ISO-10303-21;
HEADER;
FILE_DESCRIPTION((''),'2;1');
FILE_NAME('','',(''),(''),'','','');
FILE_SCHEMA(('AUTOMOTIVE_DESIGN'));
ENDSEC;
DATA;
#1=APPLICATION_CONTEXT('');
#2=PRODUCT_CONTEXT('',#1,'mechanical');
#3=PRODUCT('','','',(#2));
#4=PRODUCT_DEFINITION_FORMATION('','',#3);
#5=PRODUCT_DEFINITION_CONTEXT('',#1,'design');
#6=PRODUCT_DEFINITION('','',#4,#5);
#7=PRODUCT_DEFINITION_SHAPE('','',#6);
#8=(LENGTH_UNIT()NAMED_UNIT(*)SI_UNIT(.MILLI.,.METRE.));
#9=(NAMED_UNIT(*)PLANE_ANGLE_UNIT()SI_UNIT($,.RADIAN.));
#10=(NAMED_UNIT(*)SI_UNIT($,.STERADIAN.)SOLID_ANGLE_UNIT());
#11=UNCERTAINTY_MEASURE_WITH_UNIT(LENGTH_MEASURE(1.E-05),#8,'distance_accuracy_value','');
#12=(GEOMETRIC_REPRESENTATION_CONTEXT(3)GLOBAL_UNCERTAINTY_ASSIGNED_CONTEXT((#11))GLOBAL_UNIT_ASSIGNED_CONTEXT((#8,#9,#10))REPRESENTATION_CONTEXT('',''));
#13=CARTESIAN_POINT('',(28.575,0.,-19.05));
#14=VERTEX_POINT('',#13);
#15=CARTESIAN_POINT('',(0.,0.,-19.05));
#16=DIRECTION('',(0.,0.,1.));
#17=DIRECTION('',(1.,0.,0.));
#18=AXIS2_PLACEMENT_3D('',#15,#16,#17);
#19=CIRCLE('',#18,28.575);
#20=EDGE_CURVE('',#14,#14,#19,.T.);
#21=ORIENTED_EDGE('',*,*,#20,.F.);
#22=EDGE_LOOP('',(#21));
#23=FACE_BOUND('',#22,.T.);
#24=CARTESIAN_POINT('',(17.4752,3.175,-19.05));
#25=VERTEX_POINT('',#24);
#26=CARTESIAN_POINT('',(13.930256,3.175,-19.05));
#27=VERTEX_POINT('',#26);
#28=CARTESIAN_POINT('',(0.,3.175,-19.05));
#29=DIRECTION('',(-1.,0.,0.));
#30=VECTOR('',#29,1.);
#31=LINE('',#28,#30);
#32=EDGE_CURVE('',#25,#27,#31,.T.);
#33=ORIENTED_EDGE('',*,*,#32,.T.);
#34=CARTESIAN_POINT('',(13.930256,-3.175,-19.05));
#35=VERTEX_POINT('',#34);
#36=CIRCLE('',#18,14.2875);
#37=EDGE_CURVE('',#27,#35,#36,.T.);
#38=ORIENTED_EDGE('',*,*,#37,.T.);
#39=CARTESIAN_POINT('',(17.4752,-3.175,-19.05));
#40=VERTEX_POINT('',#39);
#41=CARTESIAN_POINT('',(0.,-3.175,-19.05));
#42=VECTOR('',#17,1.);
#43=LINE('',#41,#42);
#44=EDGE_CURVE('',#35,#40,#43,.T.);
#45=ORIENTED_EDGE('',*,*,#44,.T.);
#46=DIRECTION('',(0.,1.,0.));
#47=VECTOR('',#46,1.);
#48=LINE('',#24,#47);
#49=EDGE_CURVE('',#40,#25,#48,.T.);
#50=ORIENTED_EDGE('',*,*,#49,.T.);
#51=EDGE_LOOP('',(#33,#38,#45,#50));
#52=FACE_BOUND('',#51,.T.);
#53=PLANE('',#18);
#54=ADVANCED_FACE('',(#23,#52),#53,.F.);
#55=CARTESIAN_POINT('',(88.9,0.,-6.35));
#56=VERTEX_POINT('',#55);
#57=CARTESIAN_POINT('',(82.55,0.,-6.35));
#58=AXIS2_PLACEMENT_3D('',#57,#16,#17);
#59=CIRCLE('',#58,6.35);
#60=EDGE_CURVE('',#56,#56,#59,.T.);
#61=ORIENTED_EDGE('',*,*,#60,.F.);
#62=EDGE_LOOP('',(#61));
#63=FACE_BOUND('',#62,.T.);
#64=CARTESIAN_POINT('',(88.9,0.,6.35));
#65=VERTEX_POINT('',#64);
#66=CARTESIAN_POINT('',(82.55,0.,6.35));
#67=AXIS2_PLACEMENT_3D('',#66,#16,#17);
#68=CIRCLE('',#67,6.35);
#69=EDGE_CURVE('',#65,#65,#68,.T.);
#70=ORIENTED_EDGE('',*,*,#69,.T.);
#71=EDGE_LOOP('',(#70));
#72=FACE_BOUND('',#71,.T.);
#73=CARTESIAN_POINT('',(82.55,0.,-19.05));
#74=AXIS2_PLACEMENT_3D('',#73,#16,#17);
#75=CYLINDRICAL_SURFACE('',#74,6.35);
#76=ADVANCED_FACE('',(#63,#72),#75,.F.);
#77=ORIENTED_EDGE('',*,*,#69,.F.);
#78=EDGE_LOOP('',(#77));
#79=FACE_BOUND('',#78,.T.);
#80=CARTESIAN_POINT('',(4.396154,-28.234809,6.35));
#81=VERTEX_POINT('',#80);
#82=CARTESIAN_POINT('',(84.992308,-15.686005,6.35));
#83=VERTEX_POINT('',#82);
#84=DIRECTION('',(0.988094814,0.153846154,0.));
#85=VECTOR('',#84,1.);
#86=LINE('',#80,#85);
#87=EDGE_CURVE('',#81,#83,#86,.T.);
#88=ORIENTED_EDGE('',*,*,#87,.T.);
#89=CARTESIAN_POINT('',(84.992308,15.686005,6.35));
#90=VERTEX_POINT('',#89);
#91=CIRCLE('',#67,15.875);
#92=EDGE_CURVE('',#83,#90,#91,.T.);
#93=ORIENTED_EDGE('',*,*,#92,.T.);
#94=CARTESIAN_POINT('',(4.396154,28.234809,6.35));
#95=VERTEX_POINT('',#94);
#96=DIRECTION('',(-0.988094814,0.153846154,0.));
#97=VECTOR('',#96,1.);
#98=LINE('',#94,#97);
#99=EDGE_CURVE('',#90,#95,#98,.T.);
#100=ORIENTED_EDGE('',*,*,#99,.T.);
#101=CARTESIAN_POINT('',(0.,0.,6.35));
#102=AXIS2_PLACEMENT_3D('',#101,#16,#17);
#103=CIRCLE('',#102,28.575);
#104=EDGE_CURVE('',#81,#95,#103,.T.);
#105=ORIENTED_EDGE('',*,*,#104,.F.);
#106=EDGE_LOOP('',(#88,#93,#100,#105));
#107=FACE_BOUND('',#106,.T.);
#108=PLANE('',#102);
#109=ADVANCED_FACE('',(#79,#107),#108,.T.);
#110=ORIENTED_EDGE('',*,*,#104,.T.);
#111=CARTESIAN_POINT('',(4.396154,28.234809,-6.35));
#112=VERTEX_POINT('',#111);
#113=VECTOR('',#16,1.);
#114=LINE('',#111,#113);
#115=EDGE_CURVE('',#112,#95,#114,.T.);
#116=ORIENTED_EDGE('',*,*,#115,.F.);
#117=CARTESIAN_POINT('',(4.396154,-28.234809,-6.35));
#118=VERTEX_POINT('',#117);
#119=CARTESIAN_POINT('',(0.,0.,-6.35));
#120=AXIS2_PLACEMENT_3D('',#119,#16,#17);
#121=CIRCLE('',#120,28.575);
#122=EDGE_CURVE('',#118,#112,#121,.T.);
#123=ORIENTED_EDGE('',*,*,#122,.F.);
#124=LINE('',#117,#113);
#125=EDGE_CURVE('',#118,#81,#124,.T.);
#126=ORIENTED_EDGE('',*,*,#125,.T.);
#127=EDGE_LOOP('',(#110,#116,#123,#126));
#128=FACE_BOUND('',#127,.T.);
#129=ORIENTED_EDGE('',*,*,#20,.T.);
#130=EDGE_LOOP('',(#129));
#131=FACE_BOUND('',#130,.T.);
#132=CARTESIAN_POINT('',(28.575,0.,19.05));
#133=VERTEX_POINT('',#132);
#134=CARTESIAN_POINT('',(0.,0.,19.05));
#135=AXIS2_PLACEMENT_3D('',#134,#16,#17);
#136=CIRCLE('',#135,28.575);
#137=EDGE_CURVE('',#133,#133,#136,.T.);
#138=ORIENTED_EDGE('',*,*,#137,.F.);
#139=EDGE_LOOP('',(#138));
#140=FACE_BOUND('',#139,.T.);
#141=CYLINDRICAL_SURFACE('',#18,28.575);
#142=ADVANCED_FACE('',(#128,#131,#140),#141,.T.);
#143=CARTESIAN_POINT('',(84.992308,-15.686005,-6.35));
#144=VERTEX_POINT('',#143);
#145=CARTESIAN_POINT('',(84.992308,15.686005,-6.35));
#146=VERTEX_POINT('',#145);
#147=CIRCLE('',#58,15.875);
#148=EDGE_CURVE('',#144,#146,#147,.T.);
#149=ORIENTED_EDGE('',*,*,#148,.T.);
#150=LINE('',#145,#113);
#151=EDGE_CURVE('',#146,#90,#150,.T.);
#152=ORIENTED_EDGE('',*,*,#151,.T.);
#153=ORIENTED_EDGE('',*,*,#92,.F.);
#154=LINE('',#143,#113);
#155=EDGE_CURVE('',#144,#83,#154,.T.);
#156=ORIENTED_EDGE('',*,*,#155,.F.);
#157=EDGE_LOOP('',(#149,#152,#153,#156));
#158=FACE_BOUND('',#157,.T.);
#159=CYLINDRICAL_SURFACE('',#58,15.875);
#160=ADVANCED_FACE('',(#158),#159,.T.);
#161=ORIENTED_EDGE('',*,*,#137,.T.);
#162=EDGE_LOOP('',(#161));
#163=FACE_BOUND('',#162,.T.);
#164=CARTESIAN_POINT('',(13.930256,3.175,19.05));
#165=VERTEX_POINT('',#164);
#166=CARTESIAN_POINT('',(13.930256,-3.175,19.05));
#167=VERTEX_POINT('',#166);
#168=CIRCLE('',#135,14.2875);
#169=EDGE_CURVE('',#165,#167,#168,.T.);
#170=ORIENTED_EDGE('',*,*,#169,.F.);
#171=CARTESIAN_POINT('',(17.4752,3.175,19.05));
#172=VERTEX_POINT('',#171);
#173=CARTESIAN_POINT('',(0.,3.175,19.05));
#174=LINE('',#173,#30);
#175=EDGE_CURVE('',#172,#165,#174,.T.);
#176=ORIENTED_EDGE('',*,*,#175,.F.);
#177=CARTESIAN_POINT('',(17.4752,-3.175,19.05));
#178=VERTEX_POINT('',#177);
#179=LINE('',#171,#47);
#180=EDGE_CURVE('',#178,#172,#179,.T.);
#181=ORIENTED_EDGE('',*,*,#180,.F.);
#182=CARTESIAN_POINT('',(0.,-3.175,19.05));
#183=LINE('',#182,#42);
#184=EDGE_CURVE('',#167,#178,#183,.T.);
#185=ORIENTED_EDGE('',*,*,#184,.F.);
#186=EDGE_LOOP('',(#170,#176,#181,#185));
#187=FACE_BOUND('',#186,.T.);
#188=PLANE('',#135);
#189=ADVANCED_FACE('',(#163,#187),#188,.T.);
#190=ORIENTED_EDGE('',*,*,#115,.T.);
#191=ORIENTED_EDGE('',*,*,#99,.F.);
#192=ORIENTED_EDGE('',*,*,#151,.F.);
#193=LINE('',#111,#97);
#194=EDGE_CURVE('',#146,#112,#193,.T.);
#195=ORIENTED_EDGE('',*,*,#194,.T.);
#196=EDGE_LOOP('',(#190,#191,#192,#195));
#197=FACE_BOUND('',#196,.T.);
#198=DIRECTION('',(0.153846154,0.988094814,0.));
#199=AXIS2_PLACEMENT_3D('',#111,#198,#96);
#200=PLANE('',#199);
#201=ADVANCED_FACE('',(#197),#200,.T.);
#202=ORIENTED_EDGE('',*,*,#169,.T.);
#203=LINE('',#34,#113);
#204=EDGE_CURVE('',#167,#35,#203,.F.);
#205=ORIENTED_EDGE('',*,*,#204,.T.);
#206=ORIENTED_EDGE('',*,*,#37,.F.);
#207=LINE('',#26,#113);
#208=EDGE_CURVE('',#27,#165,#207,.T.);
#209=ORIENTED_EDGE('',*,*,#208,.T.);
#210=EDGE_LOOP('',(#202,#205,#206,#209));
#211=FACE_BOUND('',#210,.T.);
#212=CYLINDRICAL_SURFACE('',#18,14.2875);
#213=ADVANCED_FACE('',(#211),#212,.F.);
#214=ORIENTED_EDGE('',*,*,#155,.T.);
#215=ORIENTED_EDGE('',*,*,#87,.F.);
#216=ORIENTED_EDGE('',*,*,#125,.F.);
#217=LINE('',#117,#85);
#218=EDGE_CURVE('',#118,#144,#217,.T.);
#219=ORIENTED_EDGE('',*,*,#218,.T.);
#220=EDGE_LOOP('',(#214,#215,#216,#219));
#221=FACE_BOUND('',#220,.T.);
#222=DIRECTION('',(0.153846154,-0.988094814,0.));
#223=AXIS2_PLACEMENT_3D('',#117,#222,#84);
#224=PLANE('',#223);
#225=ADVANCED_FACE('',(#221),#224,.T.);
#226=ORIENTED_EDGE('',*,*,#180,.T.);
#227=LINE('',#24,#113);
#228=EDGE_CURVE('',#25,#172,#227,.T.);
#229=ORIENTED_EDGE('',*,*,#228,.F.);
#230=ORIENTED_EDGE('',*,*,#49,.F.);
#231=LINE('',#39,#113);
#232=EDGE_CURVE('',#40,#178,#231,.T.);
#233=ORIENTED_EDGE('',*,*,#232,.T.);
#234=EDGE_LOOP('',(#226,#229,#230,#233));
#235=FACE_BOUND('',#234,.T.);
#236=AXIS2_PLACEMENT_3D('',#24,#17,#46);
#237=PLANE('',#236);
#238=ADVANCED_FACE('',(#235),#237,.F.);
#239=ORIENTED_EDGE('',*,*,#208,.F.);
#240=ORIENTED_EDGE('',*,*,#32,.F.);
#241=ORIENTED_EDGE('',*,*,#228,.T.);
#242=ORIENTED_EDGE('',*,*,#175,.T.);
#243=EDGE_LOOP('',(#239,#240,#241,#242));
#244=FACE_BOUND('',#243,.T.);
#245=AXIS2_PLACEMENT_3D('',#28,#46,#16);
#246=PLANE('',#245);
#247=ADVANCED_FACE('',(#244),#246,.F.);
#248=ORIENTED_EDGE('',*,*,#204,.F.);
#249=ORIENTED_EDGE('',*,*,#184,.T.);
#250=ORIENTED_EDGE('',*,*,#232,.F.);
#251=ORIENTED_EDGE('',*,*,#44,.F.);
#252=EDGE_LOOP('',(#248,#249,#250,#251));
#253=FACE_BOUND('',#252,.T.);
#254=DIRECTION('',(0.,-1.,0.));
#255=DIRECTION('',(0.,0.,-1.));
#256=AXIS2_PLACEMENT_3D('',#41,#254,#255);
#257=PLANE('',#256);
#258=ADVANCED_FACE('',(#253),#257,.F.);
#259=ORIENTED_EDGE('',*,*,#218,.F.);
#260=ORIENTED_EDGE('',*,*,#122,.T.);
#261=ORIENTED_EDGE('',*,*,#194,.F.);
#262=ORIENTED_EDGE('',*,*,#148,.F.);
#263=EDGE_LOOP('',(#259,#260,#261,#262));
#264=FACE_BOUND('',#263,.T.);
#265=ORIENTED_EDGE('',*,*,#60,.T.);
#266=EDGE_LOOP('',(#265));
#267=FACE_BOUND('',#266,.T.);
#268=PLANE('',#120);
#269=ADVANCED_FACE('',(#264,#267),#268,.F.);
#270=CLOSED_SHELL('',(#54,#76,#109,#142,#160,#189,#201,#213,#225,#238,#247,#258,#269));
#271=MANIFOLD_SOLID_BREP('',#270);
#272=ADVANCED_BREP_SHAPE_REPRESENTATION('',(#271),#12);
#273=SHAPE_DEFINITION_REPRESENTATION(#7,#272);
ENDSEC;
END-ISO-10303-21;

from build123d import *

# Parameters (mm, degrees)
BOSS_EXTRUDE3_DEPTH      = 6.35
BOSS_EXTRUDE3_DEPTH_BACK = 6.35
BOSS_EXTRUDE4_DEPTH      = 19.05
BOSS_EXTRUDE4_DEPTH_BACK = 19.05
SKETCH3_R                = 28.575
SKETCH4_R                = 6.35
CUT_EXTRUDE1_DEPTH       = 106.589636092
SKETCH5_R                = 14.2875
CUT_EXTRUDE2_DEPTH       = 110.341763522
SKETCH6_W                = 17.4752
SKETCH6_H                = 6.35
CUT_EXTRUDE3_DEPTH       = 110.341763522


with BuildPart() as part:
    # Sketch1 → Boss-Extrude3 (new, two sides: drawn at the far end of the back side and taken through both)
    with BuildSketch(Plane.XY.offset(-BOSS_EXTRUDE3_DEPTH_BACK)):
        with BuildLine():
            Line((4.396153846, -28.234809303), (84.992307692, -15.686005168))
            ThreePointArc((84.992307692, -15.686005168), (98.425, 0), (84.992307692, 15.686005168))
            Line((84.992307692, 15.686005168), (4.396153846, 28.234809303))
            ThreePointArc((4.396153846, 28.234809303), (28.575, 0), (4.396153846, -28.234809303))
        make_face()
    extrude(amount=BOSS_EXTRUDE3_DEPTH + BOSS_EXTRUDE3_DEPTH_BACK)

    # Sketch3 → Boss-Extrude4 (add, two sides: drawn at the far end of the back side and taken through both)
    with BuildSketch(Plane.XY.offset(-BOSS_EXTRUDE4_DEPTH_BACK)):
        Circle(SKETCH3_R)
    extrude(amount=BOSS_EXTRUDE4_DEPTH + BOSS_EXTRUDE4_DEPTH_BACK)

    # Sketch4 → Cut-Extrude1 (cut, through all)
    with BuildSketch(Plane.XY.offset(6.35)):
        with Locations((82.55, 0)):
            Circle(SKETCH4_R)
    extrude(amount=-CUT_EXTRUDE1_DEPTH, mode=Mode.SUBTRACT)

    # Sketch5 → Cut-Extrude2 (cut, through all)
    with BuildSketch(Plane.XY.offset(19.05)):
        Circle(SKETCH5_R)
    extrude(amount=-CUT_EXTRUDE2_DEPTH, mode=Mode.SUBTRACT)

    # Sketch6 → Cut-Extrude3 (cut, through all)
    with BuildSketch(Plane.XY.offset(19.05)):
        with Locations((8.7376, 0)):
            Rectangle(SKETCH6_W, SKETCH6_H)
    extrude(amount=-CUT_EXTRUDE3_DEPTH, mode=Mode.SUBTRACT)


solid = part.part
